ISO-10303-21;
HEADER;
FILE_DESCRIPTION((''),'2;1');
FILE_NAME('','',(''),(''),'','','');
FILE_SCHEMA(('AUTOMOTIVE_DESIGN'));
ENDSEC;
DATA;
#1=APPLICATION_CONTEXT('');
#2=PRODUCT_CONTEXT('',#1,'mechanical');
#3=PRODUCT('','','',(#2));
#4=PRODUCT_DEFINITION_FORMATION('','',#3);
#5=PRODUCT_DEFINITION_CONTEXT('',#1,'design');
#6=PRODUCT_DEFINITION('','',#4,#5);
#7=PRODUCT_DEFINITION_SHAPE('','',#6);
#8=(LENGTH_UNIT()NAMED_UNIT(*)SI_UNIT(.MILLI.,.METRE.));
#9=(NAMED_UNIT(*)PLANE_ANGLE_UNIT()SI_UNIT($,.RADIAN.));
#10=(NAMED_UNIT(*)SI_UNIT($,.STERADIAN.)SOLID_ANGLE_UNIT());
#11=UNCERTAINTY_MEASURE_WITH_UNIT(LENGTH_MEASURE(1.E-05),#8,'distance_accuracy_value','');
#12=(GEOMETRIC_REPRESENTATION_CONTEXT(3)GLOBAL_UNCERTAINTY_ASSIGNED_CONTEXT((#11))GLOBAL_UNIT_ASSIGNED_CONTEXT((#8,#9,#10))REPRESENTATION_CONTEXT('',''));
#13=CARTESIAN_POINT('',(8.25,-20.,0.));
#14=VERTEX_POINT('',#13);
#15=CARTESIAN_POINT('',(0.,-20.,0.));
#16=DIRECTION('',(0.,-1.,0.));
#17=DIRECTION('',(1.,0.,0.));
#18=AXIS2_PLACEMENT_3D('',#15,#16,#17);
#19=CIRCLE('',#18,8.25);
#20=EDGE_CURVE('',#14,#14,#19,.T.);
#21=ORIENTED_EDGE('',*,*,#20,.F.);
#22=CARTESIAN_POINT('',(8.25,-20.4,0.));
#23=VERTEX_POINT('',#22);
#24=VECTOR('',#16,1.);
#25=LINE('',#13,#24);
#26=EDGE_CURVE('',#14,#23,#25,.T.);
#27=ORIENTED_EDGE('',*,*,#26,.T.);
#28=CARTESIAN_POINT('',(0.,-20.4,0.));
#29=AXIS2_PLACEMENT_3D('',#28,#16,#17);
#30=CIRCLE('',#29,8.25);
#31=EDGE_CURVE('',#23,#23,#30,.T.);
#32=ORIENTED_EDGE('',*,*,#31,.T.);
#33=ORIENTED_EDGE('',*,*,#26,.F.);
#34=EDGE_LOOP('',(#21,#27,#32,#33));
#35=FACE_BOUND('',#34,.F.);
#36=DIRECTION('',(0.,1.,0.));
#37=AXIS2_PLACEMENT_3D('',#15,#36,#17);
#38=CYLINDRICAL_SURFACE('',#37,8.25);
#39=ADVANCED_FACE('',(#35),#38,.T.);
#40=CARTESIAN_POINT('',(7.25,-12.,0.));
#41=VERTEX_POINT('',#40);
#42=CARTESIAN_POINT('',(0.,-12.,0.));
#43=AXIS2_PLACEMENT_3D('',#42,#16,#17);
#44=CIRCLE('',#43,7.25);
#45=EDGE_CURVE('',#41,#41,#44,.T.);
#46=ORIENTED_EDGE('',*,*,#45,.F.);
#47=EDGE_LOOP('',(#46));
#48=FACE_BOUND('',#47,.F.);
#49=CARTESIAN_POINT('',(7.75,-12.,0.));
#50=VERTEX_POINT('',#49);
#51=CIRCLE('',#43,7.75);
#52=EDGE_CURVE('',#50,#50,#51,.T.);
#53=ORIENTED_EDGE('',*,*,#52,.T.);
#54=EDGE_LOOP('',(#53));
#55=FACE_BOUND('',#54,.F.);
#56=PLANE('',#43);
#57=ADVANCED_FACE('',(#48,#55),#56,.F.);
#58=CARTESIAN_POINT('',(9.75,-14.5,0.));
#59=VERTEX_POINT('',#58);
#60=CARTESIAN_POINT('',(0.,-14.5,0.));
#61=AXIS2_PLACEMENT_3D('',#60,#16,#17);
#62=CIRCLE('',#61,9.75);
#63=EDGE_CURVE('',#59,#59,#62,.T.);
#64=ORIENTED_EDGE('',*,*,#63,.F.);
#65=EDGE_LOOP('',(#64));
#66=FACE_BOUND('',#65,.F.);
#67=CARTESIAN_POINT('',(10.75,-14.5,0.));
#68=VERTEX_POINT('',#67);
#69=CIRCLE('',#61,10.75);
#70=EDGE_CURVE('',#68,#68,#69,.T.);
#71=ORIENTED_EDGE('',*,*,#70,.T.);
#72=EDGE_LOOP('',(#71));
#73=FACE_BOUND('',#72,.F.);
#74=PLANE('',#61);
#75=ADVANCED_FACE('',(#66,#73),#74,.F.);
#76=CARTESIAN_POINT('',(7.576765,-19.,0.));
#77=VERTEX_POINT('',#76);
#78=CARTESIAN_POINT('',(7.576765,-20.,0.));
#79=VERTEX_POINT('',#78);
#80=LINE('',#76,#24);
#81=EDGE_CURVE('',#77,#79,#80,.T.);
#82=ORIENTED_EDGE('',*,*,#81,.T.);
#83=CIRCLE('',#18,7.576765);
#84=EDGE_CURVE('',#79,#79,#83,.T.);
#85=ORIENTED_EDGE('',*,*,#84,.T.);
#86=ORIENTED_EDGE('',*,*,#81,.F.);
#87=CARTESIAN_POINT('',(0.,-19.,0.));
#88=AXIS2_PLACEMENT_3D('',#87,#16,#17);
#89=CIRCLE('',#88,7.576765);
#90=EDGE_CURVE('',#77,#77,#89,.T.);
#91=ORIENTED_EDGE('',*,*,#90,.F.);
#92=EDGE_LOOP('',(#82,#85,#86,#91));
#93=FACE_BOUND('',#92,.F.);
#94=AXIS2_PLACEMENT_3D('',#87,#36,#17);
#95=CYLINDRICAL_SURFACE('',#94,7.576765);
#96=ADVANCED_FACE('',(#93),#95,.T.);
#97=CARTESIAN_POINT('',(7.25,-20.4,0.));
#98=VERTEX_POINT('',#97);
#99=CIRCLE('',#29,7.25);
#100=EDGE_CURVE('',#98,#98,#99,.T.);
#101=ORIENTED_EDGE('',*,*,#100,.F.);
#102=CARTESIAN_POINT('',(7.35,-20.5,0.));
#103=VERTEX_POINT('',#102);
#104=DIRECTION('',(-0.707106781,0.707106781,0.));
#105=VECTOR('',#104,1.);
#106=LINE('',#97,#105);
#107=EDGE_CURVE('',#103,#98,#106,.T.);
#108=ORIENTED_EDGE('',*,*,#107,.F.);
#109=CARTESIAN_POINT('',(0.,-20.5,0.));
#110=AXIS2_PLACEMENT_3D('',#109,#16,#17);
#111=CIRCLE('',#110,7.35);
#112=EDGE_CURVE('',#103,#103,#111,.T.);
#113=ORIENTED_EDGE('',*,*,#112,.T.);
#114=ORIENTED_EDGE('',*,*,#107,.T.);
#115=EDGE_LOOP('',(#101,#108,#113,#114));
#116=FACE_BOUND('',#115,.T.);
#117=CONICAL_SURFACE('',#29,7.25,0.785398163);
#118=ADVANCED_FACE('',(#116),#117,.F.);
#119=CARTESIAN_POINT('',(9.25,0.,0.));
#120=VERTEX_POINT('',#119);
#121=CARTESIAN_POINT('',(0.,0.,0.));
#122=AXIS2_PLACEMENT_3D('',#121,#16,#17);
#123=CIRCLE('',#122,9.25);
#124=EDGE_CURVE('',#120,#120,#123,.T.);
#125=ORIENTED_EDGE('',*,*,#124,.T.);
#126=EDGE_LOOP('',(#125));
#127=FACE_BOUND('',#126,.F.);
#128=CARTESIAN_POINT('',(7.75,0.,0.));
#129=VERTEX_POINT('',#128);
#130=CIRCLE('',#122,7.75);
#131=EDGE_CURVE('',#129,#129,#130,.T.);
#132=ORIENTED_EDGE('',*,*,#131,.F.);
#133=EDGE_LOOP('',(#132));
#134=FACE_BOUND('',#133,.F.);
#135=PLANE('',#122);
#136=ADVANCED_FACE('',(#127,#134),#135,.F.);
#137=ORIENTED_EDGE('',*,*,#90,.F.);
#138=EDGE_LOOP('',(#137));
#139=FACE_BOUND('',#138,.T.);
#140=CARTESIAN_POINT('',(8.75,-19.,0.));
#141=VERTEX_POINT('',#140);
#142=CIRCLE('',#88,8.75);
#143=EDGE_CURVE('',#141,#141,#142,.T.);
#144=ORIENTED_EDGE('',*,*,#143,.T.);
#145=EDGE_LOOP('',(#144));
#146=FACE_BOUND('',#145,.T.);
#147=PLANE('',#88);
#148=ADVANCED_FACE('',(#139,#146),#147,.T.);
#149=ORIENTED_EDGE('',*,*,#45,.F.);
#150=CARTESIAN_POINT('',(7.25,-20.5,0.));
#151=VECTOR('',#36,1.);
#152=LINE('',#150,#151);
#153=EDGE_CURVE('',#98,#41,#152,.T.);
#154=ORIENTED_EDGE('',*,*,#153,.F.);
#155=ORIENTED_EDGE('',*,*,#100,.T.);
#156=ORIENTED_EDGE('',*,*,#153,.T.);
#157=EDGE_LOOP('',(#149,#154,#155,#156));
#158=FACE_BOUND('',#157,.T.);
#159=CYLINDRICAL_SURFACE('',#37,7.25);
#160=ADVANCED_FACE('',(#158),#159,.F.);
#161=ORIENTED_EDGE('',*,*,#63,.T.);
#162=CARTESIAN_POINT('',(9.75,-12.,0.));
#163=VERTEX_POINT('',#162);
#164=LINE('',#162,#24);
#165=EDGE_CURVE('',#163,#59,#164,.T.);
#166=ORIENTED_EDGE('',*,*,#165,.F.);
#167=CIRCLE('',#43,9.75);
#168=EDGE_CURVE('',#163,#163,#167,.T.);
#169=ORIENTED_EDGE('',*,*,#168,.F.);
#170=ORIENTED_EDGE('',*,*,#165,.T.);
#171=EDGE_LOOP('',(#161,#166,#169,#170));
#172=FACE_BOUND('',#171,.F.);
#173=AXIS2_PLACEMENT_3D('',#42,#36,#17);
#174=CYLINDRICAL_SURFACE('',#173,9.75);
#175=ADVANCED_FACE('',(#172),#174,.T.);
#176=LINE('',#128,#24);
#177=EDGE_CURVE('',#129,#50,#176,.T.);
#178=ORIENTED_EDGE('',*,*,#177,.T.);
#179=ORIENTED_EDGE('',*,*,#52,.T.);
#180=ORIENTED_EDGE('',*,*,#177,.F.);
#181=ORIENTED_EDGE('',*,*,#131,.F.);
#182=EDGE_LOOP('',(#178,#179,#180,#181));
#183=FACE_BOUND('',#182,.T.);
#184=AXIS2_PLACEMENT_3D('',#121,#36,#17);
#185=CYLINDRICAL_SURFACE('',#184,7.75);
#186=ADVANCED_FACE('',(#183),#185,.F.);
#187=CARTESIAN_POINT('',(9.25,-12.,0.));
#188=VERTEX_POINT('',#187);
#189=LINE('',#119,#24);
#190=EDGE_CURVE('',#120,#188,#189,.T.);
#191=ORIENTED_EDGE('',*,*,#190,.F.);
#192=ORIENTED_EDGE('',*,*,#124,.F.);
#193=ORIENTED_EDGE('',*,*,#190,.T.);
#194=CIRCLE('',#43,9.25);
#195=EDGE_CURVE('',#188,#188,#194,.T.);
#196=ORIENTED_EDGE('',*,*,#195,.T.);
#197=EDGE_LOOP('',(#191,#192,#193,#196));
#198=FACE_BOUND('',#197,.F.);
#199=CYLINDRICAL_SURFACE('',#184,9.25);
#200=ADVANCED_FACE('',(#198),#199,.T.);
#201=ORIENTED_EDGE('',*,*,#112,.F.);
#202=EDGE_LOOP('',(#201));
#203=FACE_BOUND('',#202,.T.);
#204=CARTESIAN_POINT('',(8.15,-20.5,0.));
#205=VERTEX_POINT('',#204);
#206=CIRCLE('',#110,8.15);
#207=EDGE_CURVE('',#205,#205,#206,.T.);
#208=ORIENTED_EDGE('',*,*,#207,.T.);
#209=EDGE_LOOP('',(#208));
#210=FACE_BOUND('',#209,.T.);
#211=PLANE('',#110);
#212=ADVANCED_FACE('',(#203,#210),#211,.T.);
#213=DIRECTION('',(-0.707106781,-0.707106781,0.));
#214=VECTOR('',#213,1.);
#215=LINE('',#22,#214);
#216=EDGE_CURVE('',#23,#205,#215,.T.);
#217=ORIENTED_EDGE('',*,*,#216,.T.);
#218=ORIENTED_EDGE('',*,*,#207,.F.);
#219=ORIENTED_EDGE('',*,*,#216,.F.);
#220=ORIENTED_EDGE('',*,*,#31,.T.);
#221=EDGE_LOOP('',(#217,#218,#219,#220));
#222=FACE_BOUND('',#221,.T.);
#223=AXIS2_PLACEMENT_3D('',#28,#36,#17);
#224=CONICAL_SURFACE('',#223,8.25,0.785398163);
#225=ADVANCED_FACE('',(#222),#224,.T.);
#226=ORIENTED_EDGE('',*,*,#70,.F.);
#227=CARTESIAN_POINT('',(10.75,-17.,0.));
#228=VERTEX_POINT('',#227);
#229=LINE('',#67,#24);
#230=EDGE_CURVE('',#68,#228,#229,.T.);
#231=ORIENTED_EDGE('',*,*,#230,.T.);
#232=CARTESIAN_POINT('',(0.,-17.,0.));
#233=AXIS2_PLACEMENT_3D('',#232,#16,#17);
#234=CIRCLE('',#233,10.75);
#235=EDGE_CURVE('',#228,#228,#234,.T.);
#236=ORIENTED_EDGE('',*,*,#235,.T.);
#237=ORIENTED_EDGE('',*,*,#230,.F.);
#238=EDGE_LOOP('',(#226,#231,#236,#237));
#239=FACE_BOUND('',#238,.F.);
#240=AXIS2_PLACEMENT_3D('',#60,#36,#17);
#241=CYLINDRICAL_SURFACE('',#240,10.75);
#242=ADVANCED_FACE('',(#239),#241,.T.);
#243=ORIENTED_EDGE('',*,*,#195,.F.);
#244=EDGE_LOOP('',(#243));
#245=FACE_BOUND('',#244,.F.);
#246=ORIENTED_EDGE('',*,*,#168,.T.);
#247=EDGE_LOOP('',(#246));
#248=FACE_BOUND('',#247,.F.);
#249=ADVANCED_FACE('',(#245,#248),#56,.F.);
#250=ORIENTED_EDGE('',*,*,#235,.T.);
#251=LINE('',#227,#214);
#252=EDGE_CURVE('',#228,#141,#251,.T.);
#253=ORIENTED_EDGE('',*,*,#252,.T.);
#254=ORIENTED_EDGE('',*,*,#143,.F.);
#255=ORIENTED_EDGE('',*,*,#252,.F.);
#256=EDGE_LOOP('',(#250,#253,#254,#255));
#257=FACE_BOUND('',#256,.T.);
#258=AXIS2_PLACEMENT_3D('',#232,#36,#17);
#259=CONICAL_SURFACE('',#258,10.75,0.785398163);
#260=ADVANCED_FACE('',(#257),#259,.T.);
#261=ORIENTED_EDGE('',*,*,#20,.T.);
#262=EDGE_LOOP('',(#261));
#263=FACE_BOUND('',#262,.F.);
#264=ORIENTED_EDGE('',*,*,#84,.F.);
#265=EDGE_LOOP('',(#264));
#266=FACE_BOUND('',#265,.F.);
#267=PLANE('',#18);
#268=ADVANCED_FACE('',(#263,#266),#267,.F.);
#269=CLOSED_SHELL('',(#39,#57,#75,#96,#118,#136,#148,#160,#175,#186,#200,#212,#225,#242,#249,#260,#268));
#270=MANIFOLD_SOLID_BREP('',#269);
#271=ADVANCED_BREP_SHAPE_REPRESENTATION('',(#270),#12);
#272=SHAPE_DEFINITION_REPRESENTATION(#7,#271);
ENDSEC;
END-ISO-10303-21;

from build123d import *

# Parameters (mm, degrees)
F0_R      = 9.25
F0_R_2    = 7.75
F1_DEPTH  = 12
F2_R      = 9.75
F2_R_2    = 7.25
F3_DEPTH  = 2.5
F4_R      = 10.75
F4_R_2    = 7.25
F5_DEPTH  = 4.5
F6_SIZE   = 2
F7_R      = 7.5767654437
F7_R_2    = 7.25
F8_DEPTH  = 1
F9_R      = 8.25
F9_R_2    = 7.5767654437
F9_R_3    = 7.25
F10_DEPTH = 0.5
F11_SIZE  = 0.1


with BuildPart() as f1:
    # F0 (on Front) → F1 (new body)
    with BuildSketch(Plane.XZ):
        Circle(F0_R)
        Circle(F0_R_2, mode=Mode.SUBTRACT)
    extrude(amount=F1_DEPTH)

    # F2 (on face) → F3 (join)
    with BuildSketch(Plane.XZ.offset(12)):
        Circle(F2_R)
        Circle(F2_R_2, mode=Mode.SUBTRACT)
    extrude(amount=F3_DEPTH)

    # F4 (on face) → F5 (join)
    with BuildSketch(Plane.XZ.offset(14.5)):
        Circle(F4_R)
        Circle(F4_R_2, mode=Mode.SUBTRACT)
    extrude(amount=F5_DEPTH)

    # F6
    f6_edges = [f1.edges().sort_by_distance(p)[0] for p in [
        (-10.75, -19, 0),
    ]]
    chamfer(f6_edges, length=F6_SIZE)

    # F7 (on face) → F8 (join)
    with BuildSketch(Plane.XZ.offset(19)):
        Circle(F7_R)
        Circle(F7_R_2, mode=Mode.SUBTRACT)
    extrude(amount=F8_DEPTH)

    # F9 (on face) → F10 (join)
    with BuildSketch(Plane.XZ.offset(20)):
        Circle(F9_R)
        Circle(F9_R_2, mode=Mode.SUBTRACT)
        Circle(F9_R_2)
        Circle(F9_R_3, mode=Mode.SUBTRACT)
    extrude(amount=F10_DEPTH)

    # F11
    f11_edges = [f1.edges().sort_by_distance(p)[0] for p in [
        (-7.25, -20.5, 0),
        (-8.25, -20.5, 0),
    ]]
    chamfer(f11_edges, length=F11_SIZE)


solid = f1.part
